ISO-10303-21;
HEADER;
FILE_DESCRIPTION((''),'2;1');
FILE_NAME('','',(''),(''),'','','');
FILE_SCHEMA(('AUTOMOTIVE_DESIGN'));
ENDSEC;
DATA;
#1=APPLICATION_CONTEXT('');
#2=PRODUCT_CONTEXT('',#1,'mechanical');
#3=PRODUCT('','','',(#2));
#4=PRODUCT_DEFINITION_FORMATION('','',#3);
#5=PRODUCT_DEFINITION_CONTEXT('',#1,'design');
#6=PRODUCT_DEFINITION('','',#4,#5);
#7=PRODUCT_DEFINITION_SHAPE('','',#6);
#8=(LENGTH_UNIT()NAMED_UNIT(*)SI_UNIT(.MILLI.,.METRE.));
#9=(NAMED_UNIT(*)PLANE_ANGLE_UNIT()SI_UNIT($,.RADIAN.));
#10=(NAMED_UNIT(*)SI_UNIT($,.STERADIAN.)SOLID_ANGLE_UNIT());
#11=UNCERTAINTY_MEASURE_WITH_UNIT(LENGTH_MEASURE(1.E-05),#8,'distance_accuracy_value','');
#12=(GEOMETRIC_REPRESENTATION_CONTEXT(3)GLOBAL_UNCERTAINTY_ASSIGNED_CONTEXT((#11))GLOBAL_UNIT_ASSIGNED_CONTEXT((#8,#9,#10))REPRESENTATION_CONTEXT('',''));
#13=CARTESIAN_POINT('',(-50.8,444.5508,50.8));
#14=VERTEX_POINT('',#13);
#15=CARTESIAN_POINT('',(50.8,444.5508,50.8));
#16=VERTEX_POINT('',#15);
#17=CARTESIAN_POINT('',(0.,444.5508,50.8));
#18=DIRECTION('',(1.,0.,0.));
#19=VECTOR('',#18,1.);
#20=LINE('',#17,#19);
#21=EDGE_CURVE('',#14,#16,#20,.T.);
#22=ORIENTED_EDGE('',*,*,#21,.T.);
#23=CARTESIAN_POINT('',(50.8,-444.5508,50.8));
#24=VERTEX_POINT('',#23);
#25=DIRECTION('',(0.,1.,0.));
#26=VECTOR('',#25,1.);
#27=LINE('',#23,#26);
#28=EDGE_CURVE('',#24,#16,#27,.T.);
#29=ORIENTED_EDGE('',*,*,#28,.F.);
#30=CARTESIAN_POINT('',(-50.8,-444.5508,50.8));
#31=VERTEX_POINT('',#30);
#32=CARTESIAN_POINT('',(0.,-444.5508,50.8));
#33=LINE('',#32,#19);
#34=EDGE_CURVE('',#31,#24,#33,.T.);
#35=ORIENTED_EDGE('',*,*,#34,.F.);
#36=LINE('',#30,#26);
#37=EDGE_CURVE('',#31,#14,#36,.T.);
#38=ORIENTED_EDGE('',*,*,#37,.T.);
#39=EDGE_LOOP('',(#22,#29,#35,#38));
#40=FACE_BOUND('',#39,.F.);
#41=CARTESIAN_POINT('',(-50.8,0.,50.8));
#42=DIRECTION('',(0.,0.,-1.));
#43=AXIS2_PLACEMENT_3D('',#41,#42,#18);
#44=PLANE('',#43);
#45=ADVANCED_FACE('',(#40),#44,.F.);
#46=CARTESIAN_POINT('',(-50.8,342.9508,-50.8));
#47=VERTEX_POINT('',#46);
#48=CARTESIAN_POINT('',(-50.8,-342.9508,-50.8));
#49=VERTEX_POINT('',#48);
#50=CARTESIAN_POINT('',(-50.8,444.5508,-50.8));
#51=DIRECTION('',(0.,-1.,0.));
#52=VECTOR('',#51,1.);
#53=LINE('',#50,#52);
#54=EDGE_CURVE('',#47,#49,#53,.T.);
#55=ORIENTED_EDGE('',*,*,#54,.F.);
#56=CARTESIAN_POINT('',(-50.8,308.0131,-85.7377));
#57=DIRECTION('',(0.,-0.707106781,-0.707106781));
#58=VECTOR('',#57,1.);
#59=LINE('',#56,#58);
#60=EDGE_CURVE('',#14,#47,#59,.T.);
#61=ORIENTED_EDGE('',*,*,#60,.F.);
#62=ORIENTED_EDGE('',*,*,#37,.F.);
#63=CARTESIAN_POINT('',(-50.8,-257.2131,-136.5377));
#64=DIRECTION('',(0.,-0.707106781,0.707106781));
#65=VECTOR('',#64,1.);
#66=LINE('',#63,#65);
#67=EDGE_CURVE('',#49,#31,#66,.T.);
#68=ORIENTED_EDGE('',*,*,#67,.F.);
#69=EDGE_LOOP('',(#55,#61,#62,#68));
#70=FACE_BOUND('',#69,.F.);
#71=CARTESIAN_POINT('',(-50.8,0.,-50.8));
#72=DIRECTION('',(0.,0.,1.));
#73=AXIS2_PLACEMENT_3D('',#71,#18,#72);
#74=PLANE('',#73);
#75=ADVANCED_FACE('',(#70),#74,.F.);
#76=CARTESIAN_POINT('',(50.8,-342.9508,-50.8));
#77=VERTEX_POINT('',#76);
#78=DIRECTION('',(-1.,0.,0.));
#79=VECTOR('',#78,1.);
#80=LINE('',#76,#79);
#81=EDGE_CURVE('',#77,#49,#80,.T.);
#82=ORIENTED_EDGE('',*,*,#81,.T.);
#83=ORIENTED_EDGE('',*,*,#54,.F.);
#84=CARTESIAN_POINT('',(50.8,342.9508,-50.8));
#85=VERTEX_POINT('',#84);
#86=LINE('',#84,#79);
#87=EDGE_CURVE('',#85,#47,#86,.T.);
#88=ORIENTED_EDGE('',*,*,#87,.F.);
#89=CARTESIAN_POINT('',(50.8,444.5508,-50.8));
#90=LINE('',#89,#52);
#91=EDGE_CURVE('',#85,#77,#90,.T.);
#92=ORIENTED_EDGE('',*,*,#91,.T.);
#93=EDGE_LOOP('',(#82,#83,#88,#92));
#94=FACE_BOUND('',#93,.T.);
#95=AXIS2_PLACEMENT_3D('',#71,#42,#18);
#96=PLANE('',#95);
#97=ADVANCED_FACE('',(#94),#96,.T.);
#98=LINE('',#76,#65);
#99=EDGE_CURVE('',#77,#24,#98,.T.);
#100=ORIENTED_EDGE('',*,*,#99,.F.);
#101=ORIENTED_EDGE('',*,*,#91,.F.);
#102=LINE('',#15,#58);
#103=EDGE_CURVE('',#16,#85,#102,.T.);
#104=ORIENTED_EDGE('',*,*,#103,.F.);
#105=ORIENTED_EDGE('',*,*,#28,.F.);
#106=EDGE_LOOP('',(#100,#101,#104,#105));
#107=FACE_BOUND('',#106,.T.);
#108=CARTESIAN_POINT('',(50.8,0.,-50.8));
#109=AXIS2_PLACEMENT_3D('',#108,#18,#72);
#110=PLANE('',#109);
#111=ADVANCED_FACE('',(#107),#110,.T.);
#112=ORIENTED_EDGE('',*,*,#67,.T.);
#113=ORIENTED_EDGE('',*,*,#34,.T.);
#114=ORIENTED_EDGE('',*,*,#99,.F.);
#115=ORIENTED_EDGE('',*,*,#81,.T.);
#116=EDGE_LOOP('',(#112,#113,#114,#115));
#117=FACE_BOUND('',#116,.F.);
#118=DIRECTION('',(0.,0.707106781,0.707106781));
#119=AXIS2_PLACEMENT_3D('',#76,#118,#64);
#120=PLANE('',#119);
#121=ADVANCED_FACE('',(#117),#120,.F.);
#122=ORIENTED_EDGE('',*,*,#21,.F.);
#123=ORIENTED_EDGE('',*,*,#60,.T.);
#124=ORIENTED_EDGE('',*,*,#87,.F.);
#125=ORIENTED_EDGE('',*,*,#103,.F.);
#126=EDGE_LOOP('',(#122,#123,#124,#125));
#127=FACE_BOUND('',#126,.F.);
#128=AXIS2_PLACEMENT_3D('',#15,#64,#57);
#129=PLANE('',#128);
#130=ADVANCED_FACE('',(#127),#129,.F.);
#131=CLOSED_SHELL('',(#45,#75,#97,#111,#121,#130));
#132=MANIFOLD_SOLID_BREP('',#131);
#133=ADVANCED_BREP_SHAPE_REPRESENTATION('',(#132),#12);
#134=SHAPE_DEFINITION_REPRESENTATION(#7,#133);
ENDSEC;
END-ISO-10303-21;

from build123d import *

# Parameters (mm, degrees)
F0_W     = 101.6
F0_H     = 101.6
F1_DEPTH = 444.5508
F3_DEPTH = 101.601


with BuildPart() as f1:
    # F0 (on Front) → F1 (new body, symmetric)
    with BuildSketch(Plane.XZ):
        Rectangle(F0_W, F0_H)
    extrude(amount=F1_DEPTH, both=True)

    # F2 (on face) → F3 (cut, through all)
    with BuildSketch(Plane.YZ.offset(50.8)):
        Polygon((-444.5508, 50.8), (-444.5508, -50.8), (-342.9508, -50.8), align=None)
        Polygon((444.5508, -50.8), (444.5508, 50.8), (342.9508, -50.8), align=None)
    extrude(amount=-F3_DEPTH, mode=Mode.SUBTRACT)


solid = f1.part
